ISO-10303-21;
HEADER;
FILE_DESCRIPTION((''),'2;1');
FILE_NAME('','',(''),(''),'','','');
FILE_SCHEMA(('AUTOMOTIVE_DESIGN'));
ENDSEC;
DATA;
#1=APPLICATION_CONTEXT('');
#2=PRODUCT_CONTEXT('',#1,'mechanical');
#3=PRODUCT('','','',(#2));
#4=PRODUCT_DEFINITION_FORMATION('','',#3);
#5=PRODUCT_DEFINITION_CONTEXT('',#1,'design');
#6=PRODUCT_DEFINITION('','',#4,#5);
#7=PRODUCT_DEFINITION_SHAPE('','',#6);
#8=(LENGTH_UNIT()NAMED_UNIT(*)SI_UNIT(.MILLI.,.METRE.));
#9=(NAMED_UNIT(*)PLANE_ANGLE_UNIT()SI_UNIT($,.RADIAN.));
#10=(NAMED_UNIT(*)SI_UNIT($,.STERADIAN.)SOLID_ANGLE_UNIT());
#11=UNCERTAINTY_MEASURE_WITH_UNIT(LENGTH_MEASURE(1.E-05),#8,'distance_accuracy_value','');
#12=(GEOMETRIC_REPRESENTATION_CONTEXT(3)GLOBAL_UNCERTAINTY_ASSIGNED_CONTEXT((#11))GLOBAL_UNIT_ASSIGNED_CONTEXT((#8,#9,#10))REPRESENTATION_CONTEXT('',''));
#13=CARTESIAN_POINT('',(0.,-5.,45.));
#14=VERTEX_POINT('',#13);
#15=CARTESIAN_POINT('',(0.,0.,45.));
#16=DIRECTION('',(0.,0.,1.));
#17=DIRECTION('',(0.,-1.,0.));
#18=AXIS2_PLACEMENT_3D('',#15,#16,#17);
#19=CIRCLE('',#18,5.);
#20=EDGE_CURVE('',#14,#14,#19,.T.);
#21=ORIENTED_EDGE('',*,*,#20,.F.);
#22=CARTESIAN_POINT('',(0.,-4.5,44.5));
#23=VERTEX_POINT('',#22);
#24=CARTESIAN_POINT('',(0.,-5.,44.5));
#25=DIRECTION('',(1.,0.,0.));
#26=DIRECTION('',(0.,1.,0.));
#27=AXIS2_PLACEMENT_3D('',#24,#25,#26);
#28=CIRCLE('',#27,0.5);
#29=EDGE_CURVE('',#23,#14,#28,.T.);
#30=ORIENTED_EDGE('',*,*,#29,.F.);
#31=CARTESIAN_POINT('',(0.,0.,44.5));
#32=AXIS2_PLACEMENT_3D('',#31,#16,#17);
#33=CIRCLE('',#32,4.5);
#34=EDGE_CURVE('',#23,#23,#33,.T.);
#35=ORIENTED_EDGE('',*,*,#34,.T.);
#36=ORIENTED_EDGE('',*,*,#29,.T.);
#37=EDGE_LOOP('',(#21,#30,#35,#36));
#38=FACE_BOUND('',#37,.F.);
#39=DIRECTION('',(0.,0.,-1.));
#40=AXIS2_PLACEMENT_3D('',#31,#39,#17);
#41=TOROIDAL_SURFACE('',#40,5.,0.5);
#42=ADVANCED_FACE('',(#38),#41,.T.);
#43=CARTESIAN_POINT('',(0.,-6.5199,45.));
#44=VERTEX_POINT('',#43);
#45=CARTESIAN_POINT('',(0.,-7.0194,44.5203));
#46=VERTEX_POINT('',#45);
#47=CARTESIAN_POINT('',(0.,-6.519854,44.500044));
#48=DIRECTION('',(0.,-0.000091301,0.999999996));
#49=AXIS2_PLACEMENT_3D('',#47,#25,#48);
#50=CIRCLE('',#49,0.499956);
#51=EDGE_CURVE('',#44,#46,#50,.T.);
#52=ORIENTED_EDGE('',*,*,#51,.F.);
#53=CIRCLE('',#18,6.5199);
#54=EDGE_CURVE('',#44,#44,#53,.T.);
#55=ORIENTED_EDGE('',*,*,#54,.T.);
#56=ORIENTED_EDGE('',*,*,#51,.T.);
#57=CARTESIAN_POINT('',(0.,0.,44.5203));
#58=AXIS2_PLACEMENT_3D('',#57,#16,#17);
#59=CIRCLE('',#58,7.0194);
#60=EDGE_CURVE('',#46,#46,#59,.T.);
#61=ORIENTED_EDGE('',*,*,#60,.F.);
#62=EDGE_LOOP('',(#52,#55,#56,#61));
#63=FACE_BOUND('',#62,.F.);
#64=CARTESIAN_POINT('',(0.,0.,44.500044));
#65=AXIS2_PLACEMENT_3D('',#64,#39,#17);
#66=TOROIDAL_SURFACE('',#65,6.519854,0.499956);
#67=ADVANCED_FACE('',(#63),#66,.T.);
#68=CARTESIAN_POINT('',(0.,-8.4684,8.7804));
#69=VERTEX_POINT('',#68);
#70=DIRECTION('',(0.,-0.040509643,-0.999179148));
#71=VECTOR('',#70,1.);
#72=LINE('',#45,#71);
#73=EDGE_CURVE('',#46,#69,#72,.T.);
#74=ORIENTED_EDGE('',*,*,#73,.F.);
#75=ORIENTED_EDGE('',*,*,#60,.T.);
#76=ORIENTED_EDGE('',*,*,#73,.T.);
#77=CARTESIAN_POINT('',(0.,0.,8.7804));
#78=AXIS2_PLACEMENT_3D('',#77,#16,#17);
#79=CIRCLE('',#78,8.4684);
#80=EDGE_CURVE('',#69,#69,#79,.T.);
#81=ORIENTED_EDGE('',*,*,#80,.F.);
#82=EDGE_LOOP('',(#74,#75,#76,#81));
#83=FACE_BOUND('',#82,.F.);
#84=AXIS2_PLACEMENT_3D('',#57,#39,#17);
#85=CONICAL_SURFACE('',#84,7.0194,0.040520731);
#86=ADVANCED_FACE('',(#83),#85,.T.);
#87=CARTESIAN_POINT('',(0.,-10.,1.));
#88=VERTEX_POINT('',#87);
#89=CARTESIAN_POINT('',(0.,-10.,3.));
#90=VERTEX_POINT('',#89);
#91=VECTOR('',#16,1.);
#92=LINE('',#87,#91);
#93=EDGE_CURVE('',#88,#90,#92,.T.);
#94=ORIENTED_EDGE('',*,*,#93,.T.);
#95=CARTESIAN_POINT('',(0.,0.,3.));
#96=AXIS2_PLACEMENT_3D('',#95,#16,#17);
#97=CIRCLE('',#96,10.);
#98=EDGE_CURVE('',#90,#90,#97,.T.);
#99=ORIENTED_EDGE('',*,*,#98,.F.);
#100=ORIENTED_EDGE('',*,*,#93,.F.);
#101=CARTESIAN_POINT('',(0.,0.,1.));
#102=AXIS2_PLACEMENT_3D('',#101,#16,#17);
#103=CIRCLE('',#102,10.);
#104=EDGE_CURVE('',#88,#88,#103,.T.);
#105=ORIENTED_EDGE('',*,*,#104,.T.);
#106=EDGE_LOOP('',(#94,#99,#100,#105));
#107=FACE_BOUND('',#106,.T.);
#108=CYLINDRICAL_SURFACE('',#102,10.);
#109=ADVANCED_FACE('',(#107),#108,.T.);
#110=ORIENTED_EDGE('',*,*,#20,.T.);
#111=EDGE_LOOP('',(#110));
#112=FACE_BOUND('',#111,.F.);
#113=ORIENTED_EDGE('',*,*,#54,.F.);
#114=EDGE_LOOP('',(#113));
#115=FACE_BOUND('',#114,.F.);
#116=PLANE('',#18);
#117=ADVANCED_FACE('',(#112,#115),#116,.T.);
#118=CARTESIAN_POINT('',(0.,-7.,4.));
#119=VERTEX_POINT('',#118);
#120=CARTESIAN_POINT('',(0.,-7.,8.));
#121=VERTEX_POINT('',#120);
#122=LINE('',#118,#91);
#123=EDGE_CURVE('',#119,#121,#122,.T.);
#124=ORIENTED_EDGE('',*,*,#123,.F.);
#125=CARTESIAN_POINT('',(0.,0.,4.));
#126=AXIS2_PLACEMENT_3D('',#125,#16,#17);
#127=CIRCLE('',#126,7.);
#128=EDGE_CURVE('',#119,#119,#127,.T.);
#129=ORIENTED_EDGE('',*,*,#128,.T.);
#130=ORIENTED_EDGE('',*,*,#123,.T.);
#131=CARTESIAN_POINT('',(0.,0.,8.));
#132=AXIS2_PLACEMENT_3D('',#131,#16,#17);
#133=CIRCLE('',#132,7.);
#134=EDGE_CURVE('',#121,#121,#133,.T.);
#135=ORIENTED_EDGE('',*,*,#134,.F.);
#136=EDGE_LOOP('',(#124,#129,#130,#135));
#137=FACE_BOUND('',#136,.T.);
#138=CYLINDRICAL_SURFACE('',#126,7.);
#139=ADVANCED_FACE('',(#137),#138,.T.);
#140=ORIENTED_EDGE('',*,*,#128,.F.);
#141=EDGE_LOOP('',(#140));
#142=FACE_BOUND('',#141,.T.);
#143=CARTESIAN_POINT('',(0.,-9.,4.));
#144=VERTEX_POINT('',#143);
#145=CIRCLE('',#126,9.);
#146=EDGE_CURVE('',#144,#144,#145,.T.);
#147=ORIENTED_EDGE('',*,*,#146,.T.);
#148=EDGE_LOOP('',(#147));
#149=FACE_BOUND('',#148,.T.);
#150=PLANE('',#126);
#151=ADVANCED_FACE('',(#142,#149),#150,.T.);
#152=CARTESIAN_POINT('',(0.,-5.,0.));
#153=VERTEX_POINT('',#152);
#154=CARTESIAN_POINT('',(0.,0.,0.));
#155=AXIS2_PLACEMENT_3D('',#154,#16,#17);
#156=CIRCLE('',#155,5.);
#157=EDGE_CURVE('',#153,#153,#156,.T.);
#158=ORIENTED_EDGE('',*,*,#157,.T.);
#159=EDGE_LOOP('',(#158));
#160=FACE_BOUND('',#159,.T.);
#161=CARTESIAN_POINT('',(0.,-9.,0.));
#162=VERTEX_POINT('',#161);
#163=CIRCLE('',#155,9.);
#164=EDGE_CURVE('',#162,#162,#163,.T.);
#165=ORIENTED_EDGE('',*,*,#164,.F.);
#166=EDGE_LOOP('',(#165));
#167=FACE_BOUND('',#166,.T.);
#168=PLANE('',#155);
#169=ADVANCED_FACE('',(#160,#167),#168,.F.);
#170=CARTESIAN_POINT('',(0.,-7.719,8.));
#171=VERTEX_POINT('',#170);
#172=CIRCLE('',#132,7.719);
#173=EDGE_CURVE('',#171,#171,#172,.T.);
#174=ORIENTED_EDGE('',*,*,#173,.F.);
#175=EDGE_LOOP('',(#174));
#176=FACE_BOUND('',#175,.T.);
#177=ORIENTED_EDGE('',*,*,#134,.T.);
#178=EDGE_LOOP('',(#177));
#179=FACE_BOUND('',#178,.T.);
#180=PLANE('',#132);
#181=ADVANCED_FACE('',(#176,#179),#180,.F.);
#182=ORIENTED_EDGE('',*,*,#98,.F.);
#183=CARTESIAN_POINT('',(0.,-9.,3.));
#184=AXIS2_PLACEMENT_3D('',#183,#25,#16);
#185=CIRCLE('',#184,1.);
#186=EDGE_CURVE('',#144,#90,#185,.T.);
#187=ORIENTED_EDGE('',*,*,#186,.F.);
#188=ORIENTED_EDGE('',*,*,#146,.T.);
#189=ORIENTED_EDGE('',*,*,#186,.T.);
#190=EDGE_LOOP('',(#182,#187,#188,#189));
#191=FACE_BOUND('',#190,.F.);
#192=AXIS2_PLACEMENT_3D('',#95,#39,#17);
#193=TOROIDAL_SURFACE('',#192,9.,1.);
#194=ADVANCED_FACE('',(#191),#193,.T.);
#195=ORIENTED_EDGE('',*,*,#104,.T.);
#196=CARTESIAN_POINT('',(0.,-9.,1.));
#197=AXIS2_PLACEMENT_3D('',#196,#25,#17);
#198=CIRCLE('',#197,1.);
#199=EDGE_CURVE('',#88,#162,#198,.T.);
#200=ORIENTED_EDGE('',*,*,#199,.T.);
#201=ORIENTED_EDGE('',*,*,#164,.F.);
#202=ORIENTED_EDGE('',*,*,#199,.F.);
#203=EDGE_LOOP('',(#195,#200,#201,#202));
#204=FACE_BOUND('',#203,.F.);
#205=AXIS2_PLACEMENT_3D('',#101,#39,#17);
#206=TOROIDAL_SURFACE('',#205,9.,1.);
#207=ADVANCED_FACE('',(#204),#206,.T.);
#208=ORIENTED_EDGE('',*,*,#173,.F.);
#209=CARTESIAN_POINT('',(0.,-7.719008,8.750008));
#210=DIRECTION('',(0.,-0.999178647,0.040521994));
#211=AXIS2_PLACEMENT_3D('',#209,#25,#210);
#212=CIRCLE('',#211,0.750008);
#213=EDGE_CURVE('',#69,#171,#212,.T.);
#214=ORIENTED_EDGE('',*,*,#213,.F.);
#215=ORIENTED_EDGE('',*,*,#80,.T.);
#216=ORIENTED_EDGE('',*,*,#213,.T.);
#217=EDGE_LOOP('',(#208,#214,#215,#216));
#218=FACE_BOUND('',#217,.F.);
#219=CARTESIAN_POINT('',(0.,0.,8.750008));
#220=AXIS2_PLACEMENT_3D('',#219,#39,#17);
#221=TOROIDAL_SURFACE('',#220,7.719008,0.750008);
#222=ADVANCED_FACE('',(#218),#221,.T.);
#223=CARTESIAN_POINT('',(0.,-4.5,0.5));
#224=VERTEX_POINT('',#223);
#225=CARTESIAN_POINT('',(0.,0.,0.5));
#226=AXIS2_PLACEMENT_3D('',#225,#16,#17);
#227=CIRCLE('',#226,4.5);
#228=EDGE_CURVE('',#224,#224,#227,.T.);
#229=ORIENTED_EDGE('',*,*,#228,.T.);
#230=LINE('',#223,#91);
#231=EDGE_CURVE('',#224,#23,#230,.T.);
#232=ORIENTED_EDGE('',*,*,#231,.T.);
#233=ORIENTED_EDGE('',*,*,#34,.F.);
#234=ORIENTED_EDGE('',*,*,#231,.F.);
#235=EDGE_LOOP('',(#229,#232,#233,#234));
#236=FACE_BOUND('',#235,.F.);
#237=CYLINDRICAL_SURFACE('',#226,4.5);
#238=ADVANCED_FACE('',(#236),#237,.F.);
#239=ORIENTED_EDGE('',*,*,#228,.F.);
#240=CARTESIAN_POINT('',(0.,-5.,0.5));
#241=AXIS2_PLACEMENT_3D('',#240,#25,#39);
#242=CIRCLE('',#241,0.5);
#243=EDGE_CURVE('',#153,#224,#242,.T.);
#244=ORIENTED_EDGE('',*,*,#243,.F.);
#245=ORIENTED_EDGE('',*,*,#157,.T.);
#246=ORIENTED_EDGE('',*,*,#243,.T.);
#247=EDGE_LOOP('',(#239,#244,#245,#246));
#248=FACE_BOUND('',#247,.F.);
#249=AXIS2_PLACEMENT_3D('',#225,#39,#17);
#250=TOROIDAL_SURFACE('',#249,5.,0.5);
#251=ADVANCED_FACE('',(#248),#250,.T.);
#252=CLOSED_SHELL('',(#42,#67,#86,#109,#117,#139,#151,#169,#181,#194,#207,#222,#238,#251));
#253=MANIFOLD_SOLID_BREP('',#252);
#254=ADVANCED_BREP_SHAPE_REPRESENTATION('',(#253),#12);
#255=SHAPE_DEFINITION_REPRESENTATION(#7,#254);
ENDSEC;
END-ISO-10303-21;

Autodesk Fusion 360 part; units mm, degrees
sketch "Sketch2" plane through (0, 0, 0) normal (1, 0, 0) x (0, 1, 0)
  line L0 (0, 0) -> (-4.5, 0) construction
  line L1 (-5, 0) -> (-9, 0)
  line L2 (-10, 1) -> (-10, 3)
  line L3 (-4.5, 0.5) -> (-4.5, 44.5)
  line L4 (-9, 4) -> (-7, 4)
  line L5 (-7, 4) -> (-7, 8)
  line L6 (-7, 8) -> (-7.719, 8)
  line L7 (-5, 45) -> (-6.5199, 45)
  line L8 (-7.0194, 44.5203) -> (-8.4684, 8.7804)
  arc A0 (-9, 4) -> (-10, 3) centre (-9, 3) ccw
  arc A1 (-10, 1) -> (-9, 0) centre (-9, 1) ccw
  arc A2 (-8.4684, 8.7804) -> (-7.719, 8) centre (-7.719, 8.75) ccw
  arc A3 (-5, 0) -> (-4.5, 0.5) centre (-5, 0.5) ccw
  arc A4 (-6.5199, 45) -> (-7.0194, 44.5203) centre (-6.5199, 44.5) ccw
  arc A5 (-4.5, 44.5) -> (-5, 45) centre (-5, 44.5) ccw
  point P0 (-10, 0)
  point P1 (-10, 4)
  point P2 (-4.5, 45)
  point P3 (-8.5, 8)
  point P4 (-7, 45)
  dimension "d6" = 4.5
  dimension "d7" = 5.5
  dimension "d8" = 4
  dimension "d9" = 45
  dimension "d10" = 2.5
  dimension "d12" = 4
  dimension "d13" = 2.5
  dimension "d15" = 1.5
  dimension "d16" = 1
  dimension "d17" = 1
  dimension "d18" = 0.75
  dimension "d19" = 0.5
  dimension "d20" = 0.5
  dimension "d21" = 0.5
revolve "Revolve1" add sketch "Sketch2" angle 360 about axis through (0, 0, 1.75) along (0, 0, 1)
equation "inner_diameter = 9 mm"
equation "flange_depth = 4 mm"
equation "flange_outer_diameter = 20 mm"
equation "length = 45 mm"
equation "grommet_outer_diameter = 14 mm"
equation "d6 = inner_diameter / 2"
equation "d7 = ( flange_outer_diameter - inner_diameter ) / 2"
equation "d8 = flange_depth"
equation "d9 = length"
equation "d10 = ( grommet_outer_diameter - inner_diameter ) / 2"
equation "grommet_height = 4 mm"
equation "d12 = grommet_height"
equation "d13 = ( grommet_outer_diameter - inner_diameter ) / 2"
equation "d15 = ( flange_outer_diameter - grommet_outer_diameter ) / 2 / 2"
equation "d18 = ( flange_outer_diameter - grommet_outer_diameter ) / 2 / 2 / 2"
